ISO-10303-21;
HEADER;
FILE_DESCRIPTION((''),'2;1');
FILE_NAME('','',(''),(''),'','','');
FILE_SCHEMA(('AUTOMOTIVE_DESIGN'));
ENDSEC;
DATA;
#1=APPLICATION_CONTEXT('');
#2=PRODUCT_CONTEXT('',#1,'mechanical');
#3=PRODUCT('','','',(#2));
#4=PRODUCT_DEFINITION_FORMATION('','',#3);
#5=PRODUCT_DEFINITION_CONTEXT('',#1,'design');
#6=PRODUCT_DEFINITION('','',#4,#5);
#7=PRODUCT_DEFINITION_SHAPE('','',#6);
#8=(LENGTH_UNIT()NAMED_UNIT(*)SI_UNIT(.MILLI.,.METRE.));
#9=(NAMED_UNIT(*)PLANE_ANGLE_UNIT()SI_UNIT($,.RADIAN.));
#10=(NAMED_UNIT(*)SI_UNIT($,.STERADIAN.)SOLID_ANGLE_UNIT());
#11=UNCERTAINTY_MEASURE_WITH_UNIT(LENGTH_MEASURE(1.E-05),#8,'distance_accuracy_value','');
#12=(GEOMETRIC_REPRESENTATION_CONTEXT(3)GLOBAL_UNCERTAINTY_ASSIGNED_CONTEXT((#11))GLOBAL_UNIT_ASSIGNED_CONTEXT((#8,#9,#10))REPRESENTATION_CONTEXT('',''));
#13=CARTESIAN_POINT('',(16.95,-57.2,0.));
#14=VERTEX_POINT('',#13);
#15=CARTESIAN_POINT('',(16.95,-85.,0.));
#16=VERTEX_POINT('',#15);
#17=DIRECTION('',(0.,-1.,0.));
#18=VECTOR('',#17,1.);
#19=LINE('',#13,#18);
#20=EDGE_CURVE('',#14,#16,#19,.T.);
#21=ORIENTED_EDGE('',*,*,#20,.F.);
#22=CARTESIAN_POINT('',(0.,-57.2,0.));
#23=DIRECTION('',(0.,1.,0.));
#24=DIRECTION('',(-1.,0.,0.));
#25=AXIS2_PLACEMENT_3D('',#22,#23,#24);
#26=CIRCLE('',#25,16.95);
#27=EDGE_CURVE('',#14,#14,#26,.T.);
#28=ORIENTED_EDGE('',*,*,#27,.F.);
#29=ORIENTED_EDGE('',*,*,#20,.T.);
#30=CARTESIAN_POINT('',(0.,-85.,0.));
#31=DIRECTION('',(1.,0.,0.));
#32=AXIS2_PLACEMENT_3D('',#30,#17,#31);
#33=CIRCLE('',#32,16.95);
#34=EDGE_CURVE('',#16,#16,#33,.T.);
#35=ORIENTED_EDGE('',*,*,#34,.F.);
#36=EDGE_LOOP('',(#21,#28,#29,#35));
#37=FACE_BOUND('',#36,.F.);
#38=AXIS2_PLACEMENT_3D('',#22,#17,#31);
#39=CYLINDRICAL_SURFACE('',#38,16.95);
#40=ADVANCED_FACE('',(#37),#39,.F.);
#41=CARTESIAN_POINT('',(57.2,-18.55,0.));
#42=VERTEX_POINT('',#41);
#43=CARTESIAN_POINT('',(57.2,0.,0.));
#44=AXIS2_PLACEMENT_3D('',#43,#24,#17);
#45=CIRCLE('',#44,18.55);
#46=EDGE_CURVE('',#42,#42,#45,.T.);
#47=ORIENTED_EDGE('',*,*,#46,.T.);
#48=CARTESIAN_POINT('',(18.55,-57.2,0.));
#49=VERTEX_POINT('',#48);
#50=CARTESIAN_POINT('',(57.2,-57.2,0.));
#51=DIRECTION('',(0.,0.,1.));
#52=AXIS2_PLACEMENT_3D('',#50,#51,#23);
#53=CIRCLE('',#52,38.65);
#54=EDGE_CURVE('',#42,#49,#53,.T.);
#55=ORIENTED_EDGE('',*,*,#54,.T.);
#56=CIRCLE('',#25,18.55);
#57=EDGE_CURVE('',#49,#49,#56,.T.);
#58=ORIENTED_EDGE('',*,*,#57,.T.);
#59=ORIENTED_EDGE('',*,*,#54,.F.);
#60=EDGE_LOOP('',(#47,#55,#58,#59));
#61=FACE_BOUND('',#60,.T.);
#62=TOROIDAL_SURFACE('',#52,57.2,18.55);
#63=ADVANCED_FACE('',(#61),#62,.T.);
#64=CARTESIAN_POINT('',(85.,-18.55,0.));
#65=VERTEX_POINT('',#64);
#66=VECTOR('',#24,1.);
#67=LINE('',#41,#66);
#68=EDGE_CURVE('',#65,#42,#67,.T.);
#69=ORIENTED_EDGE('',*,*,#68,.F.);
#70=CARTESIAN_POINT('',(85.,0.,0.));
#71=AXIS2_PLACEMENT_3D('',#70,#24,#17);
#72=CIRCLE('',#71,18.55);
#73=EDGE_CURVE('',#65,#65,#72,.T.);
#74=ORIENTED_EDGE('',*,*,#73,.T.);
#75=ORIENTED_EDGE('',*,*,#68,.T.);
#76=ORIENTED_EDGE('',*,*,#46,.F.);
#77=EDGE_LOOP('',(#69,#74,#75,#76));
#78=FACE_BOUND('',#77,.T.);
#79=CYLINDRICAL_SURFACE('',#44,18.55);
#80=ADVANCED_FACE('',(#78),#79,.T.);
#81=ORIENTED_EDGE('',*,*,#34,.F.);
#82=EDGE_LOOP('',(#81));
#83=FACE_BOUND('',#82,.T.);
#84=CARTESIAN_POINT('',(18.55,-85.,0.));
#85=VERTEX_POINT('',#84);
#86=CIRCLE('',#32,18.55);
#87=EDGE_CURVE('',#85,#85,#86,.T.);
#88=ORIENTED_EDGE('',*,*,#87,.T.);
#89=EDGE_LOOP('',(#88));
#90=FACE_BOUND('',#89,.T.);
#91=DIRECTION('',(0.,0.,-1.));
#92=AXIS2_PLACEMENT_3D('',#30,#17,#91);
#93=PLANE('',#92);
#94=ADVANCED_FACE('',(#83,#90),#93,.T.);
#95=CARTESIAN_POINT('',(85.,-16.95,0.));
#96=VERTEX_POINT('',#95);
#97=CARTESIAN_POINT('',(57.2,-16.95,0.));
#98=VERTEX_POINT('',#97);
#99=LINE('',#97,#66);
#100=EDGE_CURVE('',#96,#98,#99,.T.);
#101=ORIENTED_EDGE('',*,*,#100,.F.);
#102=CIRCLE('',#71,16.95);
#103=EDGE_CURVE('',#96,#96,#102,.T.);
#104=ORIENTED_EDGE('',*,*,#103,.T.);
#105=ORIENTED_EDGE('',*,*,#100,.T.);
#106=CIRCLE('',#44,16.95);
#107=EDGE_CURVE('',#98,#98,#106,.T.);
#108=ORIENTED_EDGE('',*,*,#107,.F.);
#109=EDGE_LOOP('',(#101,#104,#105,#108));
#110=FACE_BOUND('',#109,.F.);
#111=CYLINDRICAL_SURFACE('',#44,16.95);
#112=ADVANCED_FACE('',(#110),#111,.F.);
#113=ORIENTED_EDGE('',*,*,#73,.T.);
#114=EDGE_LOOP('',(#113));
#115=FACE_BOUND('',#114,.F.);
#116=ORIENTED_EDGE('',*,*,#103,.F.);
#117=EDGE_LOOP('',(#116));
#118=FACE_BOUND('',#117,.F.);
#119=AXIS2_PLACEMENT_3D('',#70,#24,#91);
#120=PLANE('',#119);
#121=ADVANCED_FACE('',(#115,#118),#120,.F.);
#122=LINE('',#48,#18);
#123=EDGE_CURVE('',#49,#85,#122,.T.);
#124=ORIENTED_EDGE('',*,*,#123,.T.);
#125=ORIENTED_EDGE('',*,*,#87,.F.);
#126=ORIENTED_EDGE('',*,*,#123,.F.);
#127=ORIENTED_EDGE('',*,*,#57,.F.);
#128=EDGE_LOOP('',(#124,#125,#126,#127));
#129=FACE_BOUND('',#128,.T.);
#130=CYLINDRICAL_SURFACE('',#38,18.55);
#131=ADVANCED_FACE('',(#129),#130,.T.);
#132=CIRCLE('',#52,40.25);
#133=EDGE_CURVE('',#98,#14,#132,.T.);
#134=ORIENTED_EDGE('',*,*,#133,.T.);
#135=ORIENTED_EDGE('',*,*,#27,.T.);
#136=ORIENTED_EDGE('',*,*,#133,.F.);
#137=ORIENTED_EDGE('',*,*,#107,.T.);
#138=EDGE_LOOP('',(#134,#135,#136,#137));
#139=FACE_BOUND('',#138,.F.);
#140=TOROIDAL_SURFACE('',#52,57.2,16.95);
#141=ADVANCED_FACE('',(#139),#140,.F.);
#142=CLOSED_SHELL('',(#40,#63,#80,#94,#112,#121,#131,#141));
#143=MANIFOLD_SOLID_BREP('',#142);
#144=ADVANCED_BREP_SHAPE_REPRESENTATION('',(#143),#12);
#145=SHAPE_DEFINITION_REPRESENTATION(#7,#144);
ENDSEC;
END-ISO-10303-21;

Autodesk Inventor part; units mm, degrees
ref_plane "YZ Plane" through (0, 0, 0) normal (1, 0, 0) x (0, 1, 0)
ref_plane "XZ Plane" through (0, 0, 0) normal (0, 1, 0) x (-1, 0, 0)
sketch "Szkic6" plane through (0, 0, 0) normal (0, 0, 1) x (1, 0, 0)
  line L0 (-29.6067, 0) -> (35.2678, 0) construction
  line L1 (0, 42.3419) -> (0, -58.3726) construction
  arc A0 (57.2, 0) -> (0, -57.2) centre (57.2, -57.2) ccw
  line L2 (0, -57.2) -> (57.2, -57.2) construction
  line L3 (57.2, -57.2) -> (57.2, 8.3331) construction
  line L4 (57.2, 0) -> (85, 0)
  line L5 (0, -57.2) -> (0, -85)
  point P0 (0, 0)
  dimension "d24" = 57.2
  dimension "d31" = 90
  dimension "d36" = 27.8
  dimension "d37" = 27.8
ref_plane "Płaszczyzna konstrukcyjna2" through (0, -57.2, 0) normal (0, -1, 0) x (1, 0, 0)
sketch "Szkic8" plane through (0, -57.2, 0) normal (0, -1, 0) x (1, 0, 0)
  circle A0 centre (0, 0) radius 18.55
  circle A1 centre (0, 0) radius 16.95
  dimension "d32" = 37.1
  dimension "d33" = 1.6
sweep "Przeciągnięcie2" add profiles "Szkic8" path "Szkic6"
equation "\"d32\" = OD"
equation "\"d33\" = THK"
equation "\"d24\" = R"
equation "\"d31\" = KAT"
equation "\"d36\" = PROSTKA"
equation "\"d37\" = PROSTKA"
equation "\"SzerokośćGięciaPodcięcia\" = Grubość"
equation "\"RozmiarPodcięciaNarożnika\" = 4 * Grubość"
equation "\"PromieńPrzejścia\" = PromieńGięcia"
equation "\"Rozmiar_promienia_Jacobiego\" = PromieńGięcia"
equation "\"Wielk_odstępu\" = Grubość"
equation "\"d2\" = PromieńGięcia"
equation "\"d23\" = PromieńGięcia"
equation "\"R\" = 57.2"
equation "\"OD\" = 37.1"
equation "\"THK\" = 1.6"
equation "\"KAT\" = 90deg"
equation "\"PROSTKA\" = 27.8"
equation "\"Grubość\" = 1.5"
equation "\"PromieńGięcia\" = 3"
properties part number "Kolano 90° ø37,1x1,6 R57,2" material "304L"
